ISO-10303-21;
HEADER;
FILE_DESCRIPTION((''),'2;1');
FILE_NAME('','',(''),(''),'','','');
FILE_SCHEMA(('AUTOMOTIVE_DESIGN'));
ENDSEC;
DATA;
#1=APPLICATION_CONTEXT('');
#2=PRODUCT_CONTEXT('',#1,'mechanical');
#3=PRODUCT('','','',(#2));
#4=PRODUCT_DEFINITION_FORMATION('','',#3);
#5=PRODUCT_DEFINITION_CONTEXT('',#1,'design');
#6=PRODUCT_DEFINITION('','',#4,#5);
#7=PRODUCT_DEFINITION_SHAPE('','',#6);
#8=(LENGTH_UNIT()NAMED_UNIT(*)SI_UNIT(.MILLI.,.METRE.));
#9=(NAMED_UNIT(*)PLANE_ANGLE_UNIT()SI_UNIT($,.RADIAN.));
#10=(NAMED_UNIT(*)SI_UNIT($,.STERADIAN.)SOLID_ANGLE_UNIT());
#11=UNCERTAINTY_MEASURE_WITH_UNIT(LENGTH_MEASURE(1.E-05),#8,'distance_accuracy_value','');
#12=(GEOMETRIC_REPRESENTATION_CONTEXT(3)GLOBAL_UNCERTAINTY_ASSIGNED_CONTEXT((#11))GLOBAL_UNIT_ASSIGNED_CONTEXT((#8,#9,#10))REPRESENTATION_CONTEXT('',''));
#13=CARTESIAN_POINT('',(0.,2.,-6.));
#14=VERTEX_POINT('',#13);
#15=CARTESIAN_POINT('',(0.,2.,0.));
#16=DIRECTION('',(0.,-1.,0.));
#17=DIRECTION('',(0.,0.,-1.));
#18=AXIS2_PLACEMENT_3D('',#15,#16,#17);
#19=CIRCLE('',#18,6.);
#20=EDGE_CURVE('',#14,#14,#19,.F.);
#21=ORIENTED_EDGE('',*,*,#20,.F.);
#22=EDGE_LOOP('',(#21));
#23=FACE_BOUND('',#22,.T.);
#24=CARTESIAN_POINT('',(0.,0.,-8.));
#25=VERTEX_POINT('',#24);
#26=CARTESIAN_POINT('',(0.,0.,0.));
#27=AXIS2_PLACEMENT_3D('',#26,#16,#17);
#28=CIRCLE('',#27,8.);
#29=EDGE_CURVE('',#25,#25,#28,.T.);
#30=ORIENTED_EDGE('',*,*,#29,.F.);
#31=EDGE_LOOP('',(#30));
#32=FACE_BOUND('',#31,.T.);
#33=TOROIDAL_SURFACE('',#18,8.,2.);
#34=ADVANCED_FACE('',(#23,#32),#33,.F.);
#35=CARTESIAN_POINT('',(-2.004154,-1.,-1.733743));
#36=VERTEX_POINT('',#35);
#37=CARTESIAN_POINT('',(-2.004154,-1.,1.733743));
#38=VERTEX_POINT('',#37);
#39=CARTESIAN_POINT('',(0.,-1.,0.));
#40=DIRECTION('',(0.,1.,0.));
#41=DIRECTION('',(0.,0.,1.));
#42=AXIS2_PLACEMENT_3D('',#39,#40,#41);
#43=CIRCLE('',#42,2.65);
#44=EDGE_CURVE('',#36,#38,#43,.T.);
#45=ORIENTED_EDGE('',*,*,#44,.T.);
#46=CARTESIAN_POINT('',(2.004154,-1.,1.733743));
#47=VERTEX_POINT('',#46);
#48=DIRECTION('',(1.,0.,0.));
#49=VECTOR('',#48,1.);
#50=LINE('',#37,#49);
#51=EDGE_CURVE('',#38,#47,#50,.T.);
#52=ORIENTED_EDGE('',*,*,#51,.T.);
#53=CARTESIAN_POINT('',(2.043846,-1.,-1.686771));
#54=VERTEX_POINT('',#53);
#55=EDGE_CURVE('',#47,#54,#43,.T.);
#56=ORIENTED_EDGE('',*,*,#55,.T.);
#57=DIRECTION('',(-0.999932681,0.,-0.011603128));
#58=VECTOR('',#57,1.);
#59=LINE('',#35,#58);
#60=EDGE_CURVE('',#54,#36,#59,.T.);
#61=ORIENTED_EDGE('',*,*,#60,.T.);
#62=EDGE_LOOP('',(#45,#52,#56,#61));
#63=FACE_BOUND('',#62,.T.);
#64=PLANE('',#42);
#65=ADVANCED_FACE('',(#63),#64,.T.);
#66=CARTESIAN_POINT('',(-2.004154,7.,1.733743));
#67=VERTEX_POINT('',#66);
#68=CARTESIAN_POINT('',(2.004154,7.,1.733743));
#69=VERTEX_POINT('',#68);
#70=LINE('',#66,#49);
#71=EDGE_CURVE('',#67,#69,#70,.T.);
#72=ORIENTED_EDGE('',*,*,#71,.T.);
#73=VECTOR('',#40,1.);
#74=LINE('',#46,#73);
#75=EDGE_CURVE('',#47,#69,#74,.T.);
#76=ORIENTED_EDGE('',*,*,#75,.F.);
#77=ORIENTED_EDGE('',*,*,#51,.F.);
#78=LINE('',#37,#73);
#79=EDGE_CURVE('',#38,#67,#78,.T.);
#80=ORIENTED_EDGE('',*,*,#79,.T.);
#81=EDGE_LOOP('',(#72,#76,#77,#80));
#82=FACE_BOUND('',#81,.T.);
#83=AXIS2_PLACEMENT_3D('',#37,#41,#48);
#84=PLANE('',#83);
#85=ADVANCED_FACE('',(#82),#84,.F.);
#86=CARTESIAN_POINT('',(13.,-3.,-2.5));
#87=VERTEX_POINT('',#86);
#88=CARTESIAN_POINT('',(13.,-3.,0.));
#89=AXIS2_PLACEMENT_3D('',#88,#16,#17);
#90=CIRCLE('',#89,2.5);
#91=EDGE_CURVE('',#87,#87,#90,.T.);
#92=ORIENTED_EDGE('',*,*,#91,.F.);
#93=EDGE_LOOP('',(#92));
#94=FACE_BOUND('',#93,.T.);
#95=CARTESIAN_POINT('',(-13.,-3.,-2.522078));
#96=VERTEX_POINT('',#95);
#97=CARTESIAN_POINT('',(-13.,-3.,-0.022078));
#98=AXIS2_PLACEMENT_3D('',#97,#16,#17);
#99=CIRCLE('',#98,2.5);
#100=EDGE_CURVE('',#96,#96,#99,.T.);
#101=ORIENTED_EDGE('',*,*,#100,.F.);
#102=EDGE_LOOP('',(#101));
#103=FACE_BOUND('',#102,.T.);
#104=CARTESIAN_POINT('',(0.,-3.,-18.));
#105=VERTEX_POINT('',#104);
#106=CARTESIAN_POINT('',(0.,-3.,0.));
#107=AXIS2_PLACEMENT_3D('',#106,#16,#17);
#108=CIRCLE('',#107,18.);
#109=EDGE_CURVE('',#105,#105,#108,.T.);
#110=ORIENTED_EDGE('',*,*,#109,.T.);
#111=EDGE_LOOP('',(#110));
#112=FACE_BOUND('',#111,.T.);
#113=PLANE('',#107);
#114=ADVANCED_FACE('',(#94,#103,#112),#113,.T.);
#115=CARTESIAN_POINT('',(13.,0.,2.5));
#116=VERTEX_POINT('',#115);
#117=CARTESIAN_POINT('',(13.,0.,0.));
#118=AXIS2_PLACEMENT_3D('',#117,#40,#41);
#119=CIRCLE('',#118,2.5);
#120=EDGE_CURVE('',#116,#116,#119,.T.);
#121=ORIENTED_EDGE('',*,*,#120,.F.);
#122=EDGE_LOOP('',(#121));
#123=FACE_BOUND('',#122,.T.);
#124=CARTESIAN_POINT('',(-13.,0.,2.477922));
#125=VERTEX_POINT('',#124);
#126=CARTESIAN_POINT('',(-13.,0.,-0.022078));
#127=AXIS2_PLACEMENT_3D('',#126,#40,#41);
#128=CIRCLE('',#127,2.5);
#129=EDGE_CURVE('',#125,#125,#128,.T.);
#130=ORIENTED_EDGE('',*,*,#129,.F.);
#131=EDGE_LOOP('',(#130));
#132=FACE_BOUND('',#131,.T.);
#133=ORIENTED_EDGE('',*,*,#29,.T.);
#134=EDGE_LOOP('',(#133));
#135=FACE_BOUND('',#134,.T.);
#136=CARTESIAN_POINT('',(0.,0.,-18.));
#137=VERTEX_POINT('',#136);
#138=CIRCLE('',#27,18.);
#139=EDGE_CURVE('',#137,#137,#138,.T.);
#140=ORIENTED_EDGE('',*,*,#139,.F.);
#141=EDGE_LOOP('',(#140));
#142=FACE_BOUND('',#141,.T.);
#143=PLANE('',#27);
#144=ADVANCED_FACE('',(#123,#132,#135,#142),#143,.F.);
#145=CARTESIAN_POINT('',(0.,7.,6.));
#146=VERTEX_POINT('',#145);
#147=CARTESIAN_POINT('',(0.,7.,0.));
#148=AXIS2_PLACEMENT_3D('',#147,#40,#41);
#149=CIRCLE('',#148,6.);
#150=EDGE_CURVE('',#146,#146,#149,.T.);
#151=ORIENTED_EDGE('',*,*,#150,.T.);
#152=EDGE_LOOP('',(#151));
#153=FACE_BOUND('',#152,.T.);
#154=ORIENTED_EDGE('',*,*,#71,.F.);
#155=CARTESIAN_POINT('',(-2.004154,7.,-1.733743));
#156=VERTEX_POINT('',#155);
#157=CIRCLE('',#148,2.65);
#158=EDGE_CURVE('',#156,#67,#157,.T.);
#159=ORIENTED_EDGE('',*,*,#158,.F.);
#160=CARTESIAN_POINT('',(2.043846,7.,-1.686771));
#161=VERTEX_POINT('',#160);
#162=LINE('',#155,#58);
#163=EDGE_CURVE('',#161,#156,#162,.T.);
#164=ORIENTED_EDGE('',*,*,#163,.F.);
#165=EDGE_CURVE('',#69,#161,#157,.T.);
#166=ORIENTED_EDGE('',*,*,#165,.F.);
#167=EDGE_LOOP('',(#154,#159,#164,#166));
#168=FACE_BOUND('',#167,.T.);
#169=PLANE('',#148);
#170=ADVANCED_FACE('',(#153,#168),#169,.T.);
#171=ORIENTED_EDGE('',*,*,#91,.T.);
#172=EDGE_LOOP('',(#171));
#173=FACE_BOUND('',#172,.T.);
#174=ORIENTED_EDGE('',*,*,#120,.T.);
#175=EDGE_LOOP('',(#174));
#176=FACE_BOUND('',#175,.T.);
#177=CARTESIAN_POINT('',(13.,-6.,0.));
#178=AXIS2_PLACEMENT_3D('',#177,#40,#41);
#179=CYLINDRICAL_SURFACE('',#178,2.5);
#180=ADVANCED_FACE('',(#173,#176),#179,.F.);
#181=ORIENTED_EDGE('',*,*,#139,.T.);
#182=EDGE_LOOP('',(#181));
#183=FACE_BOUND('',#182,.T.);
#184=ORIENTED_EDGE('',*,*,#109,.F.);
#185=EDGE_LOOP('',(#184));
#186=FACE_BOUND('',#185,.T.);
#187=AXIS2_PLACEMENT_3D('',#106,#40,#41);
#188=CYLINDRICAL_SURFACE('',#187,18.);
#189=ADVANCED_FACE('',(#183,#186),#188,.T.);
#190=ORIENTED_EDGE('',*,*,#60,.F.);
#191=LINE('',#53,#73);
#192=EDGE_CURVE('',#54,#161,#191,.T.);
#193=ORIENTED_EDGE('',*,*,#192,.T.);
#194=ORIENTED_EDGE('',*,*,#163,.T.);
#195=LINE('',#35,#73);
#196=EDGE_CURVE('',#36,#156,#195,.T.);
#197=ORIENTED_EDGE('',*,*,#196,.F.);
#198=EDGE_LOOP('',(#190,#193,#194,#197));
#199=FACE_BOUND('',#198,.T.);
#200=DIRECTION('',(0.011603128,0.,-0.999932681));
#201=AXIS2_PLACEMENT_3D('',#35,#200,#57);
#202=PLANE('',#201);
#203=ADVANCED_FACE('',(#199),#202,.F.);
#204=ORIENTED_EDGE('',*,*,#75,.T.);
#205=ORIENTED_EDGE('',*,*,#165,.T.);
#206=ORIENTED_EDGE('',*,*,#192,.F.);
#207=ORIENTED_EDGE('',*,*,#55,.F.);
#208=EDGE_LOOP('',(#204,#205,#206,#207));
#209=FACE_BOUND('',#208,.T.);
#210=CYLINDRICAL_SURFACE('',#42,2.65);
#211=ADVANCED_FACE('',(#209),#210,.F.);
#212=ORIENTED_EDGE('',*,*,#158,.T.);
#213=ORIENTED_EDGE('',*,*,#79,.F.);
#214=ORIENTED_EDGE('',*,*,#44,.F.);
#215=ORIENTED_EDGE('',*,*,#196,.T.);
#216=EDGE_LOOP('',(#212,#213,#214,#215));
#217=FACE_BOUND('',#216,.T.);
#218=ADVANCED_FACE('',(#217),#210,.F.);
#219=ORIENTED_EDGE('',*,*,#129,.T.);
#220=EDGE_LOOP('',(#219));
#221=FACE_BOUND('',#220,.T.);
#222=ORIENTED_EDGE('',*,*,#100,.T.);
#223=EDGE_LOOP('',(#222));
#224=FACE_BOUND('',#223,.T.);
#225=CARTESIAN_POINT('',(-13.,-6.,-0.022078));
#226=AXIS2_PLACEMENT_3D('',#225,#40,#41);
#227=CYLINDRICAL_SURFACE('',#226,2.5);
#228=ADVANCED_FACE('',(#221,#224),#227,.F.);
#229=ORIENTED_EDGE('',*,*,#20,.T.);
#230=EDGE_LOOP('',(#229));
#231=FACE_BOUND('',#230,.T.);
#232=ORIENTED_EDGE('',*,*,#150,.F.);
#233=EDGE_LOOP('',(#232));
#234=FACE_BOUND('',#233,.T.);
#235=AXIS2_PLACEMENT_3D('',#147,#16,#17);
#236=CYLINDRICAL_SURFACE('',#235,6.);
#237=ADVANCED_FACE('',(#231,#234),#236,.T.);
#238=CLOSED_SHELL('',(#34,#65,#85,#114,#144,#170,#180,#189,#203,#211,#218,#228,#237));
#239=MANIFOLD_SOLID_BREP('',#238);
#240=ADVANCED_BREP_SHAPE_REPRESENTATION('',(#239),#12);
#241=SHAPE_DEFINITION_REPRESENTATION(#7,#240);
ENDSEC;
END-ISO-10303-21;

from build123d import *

# Parameters (mm, degrees)
SKETCH1_R           = 6
BOSS_EXTRUDE6_DEPTH = 7
SKETCH5_R           = 18
BOSS_EXTRUDE7_DEPTH = 3
CUT_EXTRUDE2_DEPTH  = 6
FILLET1_R           = 2
SKETCH8_R           = 2.5
CUT_EXTRUDE3_DEPTH  = 6
CUT_EXTRUDE4_DEPTH  = 8


with BuildPart() as part:
    # Sketch1 → Boss-Extrude6 (new body)
    with BuildSketch(Plane(origin=(0, 0, 0), x_dir=(1, 0, 0), z_dir=(0, 1, 0))):
        with Locations(Location((0, 0, 0), (0, 0, 270))):
            Circle(SKETCH1_R)
    extrude(amount=BOSS_EXTRUDE6_DEPTH)

    # Sketch5 → Boss-Extrude7 (add)
    with BuildSketch(Plane(origin=(0, 0, 0), x_dir=(-1, 0, 0), z_dir=(0, -1, 0))):
        with Locations(Location((0, 0, 0), (0, 0, 90))):
            Circle(SKETCH5_R)
    extrude(amount=BOSS_EXTRUDE7_DEPTH)

    # Sketch6 → Cut-Extrude2 (cut)
    with BuildSketch(Plane(origin=(0, 7, 0), x_dir=(1, 0, 0), z_dir=(0, 1, 0))):
        with BuildLine():
            Line((1.932582761, 1.5), (-1.932582761, 1.5))
            ThreePointArc((-1.932582761, 1.5), (-1.93394777, 1.498239684), (-1.935311176, 1.496478126))
            ThreePointArc((-1.935311176, 1.496478126), (-2.446399634, -0.002227546), (-1.932582761, -1.5))
            Line((-1.932582761, -1.5), (1.932582761, -1.5))
            ThreePointArc((1.932582761, -1.5), (2.446400648, 0), (1.932582761, 1.5))
        make_face()
    extrude(amount=-CUT_EXTRUDE2_DEPTH, mode=Mode.SUBTRACT)

    # Fillet1
    fillet1_edges = [part.edges().sort_by_distance(p)[0] for p in [
        (0, 0, -6),
    ]]
    fillet(fillet1_edges, radius=FILLET1_R)

    # Sketch8 → Cut-Extrude3 (cut)
    with BuildSketch(Plane(origin=(0, 0, 0), x_dir=(1, 0, 0), z_dir=(0, 1, 0))):
        with Locations(Location((13, 0, 0), (0, 0, 270))):
            Circle(SKETCH8_R)
        with Locations(Location((-13, 0.022078195, 0), (0, 0, 270))):
            Circle(SKETCH8_R)
    extrude(amount=-CUT_EXTRUDE3_DEPTH, mode=Mode.SUBTRACT)

    # Sketch9 → Cut-Extrude4 (cut)
    with BuildSketch(Plane(origin=(0, 7, 0), x_dir=(1, 0, 0), z_dir=(0, 1, 0))):
        with BuildLine():
            Line((-2.004154278, 1.733743242), (2.043845612, 1.686770617))
            ThreePointArc((2.043845612, 1.686770617), (2.649821606, -0.03074829), (2.004154278, -1.733743242))
            Line((2.004154278, -1.733743242), (-2.004154278, -1.733743242))
            ThreePointArc((-2.004154278, -1.733743242), (-2.65, 0), (-2.004154278, 1.733743242))
        make_face()
    extrude(amount=-CUT_EXTRUDE4_DEPTH, mode=Mode.SUBTRACT)


solid = part.part
